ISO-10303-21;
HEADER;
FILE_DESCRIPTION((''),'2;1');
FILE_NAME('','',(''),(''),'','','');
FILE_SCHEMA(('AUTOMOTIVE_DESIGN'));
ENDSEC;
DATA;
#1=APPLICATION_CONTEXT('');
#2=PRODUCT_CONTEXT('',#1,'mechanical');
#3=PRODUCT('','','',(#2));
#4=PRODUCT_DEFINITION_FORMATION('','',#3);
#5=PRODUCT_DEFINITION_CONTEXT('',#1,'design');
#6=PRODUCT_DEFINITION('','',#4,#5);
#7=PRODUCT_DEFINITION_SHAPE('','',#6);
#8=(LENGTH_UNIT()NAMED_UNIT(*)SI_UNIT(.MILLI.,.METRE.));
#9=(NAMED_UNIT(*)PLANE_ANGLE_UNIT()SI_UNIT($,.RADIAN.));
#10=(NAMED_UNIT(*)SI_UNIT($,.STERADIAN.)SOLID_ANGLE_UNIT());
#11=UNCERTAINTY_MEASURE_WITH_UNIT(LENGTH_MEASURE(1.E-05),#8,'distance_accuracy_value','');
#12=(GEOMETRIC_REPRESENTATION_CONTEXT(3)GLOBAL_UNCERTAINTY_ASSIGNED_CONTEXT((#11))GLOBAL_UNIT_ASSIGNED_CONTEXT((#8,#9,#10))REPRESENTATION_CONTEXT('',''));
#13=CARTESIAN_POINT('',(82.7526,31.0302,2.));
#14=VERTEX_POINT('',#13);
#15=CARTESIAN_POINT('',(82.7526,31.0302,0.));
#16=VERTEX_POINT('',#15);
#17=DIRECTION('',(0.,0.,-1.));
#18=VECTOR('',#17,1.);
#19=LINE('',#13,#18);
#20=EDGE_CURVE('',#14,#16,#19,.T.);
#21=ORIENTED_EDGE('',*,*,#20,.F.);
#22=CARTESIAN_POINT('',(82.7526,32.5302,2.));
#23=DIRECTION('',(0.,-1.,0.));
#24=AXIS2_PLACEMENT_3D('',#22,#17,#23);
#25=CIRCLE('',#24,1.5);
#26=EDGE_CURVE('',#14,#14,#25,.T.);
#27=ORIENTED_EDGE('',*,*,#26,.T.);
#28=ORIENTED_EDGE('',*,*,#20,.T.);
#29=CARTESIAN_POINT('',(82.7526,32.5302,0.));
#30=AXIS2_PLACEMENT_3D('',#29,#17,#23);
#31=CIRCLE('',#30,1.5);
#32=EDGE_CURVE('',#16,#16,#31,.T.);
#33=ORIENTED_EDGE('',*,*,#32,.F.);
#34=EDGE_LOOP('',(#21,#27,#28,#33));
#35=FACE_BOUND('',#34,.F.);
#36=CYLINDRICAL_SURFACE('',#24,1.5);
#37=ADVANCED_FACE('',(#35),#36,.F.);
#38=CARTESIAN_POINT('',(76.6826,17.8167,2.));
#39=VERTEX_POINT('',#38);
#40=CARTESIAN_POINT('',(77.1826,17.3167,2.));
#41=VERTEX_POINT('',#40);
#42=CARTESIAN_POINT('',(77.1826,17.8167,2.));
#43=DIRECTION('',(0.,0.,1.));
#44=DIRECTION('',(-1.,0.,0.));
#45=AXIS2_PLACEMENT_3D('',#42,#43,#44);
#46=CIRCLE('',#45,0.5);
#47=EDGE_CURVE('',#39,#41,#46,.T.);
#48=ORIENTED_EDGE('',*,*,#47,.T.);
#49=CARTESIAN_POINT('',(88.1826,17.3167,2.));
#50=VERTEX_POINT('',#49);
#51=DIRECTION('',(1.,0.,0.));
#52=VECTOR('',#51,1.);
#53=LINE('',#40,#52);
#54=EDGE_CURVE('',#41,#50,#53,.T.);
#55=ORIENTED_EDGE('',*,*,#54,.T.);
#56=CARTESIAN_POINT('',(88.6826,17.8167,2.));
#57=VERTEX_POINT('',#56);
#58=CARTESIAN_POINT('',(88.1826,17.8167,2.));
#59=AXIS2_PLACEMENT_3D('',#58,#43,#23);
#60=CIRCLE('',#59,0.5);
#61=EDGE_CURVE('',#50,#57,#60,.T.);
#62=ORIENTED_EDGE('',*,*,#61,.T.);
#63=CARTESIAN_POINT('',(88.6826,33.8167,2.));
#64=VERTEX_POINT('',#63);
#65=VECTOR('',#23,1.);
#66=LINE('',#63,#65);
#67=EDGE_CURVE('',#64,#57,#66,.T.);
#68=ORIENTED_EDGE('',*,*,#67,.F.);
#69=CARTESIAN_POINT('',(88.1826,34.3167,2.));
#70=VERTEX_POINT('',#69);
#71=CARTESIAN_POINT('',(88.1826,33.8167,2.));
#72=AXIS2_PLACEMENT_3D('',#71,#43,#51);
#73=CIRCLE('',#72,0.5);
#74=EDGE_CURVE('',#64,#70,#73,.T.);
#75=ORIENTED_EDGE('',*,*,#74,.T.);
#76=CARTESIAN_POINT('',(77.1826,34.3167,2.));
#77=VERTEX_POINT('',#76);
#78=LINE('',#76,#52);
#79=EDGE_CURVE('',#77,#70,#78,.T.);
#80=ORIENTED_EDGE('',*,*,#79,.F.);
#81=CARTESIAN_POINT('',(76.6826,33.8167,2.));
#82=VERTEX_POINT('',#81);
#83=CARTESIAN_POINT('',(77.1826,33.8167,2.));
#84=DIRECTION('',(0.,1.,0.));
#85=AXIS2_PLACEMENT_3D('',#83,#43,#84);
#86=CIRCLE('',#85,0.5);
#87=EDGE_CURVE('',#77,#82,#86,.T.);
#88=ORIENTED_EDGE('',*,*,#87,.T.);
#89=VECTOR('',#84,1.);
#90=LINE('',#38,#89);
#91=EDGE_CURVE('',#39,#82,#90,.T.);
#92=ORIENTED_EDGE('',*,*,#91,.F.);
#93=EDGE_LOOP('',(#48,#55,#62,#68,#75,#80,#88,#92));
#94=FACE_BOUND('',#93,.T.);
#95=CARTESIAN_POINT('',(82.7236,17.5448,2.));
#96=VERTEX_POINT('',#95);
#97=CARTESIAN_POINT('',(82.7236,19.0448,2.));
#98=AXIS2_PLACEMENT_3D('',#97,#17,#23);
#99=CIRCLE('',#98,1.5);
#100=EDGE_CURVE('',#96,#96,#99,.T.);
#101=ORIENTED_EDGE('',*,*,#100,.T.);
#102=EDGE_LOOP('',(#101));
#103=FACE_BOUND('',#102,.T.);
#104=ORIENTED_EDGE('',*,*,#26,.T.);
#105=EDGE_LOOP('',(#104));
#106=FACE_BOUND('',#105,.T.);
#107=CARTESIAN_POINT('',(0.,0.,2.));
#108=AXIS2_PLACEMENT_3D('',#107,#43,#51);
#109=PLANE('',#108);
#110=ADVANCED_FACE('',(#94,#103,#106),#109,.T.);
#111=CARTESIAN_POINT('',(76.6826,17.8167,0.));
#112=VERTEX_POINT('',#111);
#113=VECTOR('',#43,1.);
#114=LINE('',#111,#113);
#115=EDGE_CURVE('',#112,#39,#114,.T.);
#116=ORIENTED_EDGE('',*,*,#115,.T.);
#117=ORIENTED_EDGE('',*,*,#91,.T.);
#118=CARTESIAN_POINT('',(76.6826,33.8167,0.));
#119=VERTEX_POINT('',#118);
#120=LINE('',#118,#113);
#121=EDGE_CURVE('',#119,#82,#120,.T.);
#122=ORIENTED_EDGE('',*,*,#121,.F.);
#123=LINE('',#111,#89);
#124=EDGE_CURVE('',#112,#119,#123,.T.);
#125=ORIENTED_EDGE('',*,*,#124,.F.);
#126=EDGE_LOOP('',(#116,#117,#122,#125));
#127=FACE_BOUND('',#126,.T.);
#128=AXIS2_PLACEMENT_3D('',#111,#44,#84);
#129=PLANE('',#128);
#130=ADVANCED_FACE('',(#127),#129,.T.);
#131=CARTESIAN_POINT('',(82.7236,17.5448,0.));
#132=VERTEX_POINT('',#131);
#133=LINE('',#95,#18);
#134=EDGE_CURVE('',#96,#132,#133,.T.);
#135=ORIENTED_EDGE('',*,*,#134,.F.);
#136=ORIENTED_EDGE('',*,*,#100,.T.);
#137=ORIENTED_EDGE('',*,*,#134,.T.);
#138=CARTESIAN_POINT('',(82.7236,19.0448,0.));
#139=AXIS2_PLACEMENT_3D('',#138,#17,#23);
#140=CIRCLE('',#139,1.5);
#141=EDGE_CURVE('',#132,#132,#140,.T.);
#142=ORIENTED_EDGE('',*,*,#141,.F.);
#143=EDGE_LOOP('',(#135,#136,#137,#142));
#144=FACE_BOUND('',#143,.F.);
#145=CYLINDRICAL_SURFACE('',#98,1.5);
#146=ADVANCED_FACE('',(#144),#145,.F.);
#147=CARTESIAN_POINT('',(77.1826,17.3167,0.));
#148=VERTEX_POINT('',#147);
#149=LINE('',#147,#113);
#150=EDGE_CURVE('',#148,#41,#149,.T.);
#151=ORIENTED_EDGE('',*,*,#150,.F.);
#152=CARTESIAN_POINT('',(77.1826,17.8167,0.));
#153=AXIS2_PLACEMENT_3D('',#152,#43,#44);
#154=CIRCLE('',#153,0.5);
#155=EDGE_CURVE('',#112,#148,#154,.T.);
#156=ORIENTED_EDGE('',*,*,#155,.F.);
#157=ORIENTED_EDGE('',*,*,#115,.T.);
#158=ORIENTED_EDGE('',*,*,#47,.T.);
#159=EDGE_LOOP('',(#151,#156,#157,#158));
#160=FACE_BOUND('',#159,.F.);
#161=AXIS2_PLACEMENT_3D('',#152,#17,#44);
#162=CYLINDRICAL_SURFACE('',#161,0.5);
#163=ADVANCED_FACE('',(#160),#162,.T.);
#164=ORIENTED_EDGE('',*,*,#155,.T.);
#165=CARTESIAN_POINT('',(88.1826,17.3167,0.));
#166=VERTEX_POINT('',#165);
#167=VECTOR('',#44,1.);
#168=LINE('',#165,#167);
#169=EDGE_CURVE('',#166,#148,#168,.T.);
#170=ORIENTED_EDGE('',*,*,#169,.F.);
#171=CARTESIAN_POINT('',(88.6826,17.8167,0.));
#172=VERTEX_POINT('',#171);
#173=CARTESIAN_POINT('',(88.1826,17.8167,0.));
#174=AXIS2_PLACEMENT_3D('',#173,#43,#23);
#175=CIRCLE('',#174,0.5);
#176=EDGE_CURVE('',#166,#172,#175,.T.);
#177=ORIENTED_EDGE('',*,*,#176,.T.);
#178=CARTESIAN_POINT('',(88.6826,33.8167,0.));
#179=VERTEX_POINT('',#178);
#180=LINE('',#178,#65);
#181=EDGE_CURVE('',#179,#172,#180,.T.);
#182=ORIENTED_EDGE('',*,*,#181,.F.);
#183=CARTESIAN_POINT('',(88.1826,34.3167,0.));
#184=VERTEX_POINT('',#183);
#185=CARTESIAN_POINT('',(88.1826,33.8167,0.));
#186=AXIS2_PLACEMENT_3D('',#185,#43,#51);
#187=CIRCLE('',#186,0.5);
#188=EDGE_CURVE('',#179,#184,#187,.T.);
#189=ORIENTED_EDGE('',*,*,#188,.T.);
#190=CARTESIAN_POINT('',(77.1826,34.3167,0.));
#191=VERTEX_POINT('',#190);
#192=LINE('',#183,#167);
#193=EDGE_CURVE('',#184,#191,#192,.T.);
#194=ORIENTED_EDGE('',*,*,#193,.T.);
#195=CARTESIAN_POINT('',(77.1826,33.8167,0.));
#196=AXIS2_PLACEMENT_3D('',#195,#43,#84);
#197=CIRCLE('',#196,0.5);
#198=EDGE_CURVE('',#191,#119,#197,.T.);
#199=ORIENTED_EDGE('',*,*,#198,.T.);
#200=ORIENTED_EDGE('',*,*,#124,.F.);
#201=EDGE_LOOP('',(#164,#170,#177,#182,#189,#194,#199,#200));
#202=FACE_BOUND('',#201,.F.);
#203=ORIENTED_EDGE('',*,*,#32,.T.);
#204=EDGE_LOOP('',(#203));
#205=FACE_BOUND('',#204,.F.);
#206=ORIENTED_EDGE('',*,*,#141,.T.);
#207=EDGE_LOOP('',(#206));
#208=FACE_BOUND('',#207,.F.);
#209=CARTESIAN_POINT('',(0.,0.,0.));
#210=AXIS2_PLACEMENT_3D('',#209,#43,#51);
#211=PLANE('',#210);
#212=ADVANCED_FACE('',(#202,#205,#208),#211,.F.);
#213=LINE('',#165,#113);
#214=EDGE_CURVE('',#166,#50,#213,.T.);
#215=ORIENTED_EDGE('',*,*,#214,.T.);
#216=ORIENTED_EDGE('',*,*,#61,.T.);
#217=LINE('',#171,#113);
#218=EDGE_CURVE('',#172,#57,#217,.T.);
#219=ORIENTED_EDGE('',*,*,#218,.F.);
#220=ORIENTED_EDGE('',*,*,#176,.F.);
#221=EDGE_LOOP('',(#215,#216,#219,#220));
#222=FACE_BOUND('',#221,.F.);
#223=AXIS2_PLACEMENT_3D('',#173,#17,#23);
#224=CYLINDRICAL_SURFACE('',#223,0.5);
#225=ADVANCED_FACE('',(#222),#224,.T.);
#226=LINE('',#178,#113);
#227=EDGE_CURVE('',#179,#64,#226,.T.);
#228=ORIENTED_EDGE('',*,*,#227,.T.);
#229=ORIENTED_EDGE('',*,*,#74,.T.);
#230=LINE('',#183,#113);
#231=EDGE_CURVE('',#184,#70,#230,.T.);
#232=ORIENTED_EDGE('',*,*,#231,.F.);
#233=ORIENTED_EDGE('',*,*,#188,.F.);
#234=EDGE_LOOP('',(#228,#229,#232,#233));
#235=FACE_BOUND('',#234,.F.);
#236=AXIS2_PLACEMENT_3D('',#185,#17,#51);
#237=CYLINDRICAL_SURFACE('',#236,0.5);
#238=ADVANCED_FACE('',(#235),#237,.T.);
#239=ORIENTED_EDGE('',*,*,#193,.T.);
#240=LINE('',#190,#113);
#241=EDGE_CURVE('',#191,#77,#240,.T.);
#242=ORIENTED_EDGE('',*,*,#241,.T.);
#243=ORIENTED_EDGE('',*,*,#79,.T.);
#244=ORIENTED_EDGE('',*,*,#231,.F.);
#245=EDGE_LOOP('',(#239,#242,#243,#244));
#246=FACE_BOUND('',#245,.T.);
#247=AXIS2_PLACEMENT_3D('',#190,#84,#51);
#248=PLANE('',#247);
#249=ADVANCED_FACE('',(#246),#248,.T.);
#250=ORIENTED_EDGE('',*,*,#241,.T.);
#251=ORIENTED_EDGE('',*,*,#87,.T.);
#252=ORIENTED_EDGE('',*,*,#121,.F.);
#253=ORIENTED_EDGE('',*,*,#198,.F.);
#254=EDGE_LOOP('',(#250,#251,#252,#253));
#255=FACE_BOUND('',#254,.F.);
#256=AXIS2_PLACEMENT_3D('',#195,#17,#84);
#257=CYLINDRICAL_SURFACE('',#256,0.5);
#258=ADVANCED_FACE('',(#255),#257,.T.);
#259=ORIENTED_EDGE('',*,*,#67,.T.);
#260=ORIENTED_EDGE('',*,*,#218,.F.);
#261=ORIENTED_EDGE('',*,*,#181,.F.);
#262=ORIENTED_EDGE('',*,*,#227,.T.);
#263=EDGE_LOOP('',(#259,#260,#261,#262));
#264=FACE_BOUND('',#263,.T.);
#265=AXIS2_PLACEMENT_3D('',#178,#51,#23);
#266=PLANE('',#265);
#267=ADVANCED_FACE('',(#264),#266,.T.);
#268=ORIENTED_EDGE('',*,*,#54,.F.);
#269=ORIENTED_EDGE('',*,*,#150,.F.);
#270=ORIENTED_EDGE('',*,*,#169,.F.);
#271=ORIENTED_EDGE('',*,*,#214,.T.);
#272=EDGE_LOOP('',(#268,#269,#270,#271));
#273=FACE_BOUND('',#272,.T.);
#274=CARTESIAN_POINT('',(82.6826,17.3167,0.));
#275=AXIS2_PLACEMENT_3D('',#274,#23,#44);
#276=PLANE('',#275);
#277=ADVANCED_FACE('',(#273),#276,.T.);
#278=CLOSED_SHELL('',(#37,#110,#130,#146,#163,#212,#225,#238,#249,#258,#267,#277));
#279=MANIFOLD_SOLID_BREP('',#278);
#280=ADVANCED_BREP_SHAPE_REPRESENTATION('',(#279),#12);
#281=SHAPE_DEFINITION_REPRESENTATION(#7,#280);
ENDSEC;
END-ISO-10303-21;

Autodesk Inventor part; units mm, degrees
ref_plane "YZ Plane" through (0, 0, 0) normal (1, 0, 0) x (0, 1, 0)
ref_plane "XZ Plane" through (0, 0, 0) normal (0, 1, 0) x (-1, 0, 0)
ref_plane "XY Plane" through (0, 0, 0) normal (0, 0, 1) x (1, 0, 0)
sketch "Sketch1" plane through (0, 0, 0) normal (0, 0, 1) x (1, 0, 0)
  line L0 (77.1826, 34.3167) -> (88.1826, 34.3167)
  line L1 (88.6826, 33.8167) -> (88.6826, 17.8167)
  line L2 (88.1826, 17.3167) -> (77.1826, 17.3167)
  line L3 (76.6826, 17.8167) -> (76.6826, 33.8167)
  arc A0 (77.1826, 34.3167) -> (76.6826, 33.8167) centre (77.1826, 33.8167) ccw
  arc A1 (88.6826, 33.8167) -> (88.1826, 34.3167) centre (88.1826, 33.8167) ccw
  arc A2 (88.1826, 17.3167) -> (88.6826, 17.8167) centre (88.1826, 17.8167) ccw
  arc A3 (76.6826, 17.8167) -> (77.1826, 17.3167) centre (77.1826, 17.8167) ccw
  line L4 (82.4065, 34.3167) -> (82.6826, 17.3167)
  point P0 (0, 0)
  point P1 (88.6826, 17.3167)
  point P2 (88.6826, 34.3167)
  point P3 (76.6826, 17.3167)
  dimension "d0" = 12
  dimension "d1" = 17
  dimension "d2" = 0.5
extrude "Extrusion1" add sketch "Sketch1" along normal blind 2
sketch "Sketch2" plane through (0, 0, 2) normal (0, 0, 1) x (1, 0, 0)
  point P0 (0, 0)
  point P1 (82.7526, 32.5302)
hole "Hole1" at (82.7526, 32.5302, 2) direction (0, 0, -1) diameter 3 depth 55.5
sketch "Sketch3" plane through (0, 0, 2) normal (0, 0, 1) x (1, 0, 0)
  point P0 (0, 0)
  point P1 (82.7236, 19.0448)
hole "Hole2" at (82.7236, 19.0448, 2) direction (0, 0, -1) diameter 3 depth 55.5
sketch "Sketch5" plane through (0, 0, 0) normal (0, 0, 1) x (1, 0, 0)
  line L0 (88.1826, 34.3167) -> (77.1826, 34.3167) projected
  line L1 (77.1826, 17.3167) -> (88.1826, 17.3167) projected
  line L2 (83.824, 30.7891) -> (81.5769, 30.7891) construction
  line L3 (81.5769, 30.7891) -> (81.5769, 20.7942) construction
  line L4 (81.5769, 20.7942) -> (83.824, 20.7942) construction
  line L5 (83.824, 20.7942) -> (83.824, 30.7891) construction
  point P0 (0, 0)
properties part number "termo" material "Wood (Oak)"
